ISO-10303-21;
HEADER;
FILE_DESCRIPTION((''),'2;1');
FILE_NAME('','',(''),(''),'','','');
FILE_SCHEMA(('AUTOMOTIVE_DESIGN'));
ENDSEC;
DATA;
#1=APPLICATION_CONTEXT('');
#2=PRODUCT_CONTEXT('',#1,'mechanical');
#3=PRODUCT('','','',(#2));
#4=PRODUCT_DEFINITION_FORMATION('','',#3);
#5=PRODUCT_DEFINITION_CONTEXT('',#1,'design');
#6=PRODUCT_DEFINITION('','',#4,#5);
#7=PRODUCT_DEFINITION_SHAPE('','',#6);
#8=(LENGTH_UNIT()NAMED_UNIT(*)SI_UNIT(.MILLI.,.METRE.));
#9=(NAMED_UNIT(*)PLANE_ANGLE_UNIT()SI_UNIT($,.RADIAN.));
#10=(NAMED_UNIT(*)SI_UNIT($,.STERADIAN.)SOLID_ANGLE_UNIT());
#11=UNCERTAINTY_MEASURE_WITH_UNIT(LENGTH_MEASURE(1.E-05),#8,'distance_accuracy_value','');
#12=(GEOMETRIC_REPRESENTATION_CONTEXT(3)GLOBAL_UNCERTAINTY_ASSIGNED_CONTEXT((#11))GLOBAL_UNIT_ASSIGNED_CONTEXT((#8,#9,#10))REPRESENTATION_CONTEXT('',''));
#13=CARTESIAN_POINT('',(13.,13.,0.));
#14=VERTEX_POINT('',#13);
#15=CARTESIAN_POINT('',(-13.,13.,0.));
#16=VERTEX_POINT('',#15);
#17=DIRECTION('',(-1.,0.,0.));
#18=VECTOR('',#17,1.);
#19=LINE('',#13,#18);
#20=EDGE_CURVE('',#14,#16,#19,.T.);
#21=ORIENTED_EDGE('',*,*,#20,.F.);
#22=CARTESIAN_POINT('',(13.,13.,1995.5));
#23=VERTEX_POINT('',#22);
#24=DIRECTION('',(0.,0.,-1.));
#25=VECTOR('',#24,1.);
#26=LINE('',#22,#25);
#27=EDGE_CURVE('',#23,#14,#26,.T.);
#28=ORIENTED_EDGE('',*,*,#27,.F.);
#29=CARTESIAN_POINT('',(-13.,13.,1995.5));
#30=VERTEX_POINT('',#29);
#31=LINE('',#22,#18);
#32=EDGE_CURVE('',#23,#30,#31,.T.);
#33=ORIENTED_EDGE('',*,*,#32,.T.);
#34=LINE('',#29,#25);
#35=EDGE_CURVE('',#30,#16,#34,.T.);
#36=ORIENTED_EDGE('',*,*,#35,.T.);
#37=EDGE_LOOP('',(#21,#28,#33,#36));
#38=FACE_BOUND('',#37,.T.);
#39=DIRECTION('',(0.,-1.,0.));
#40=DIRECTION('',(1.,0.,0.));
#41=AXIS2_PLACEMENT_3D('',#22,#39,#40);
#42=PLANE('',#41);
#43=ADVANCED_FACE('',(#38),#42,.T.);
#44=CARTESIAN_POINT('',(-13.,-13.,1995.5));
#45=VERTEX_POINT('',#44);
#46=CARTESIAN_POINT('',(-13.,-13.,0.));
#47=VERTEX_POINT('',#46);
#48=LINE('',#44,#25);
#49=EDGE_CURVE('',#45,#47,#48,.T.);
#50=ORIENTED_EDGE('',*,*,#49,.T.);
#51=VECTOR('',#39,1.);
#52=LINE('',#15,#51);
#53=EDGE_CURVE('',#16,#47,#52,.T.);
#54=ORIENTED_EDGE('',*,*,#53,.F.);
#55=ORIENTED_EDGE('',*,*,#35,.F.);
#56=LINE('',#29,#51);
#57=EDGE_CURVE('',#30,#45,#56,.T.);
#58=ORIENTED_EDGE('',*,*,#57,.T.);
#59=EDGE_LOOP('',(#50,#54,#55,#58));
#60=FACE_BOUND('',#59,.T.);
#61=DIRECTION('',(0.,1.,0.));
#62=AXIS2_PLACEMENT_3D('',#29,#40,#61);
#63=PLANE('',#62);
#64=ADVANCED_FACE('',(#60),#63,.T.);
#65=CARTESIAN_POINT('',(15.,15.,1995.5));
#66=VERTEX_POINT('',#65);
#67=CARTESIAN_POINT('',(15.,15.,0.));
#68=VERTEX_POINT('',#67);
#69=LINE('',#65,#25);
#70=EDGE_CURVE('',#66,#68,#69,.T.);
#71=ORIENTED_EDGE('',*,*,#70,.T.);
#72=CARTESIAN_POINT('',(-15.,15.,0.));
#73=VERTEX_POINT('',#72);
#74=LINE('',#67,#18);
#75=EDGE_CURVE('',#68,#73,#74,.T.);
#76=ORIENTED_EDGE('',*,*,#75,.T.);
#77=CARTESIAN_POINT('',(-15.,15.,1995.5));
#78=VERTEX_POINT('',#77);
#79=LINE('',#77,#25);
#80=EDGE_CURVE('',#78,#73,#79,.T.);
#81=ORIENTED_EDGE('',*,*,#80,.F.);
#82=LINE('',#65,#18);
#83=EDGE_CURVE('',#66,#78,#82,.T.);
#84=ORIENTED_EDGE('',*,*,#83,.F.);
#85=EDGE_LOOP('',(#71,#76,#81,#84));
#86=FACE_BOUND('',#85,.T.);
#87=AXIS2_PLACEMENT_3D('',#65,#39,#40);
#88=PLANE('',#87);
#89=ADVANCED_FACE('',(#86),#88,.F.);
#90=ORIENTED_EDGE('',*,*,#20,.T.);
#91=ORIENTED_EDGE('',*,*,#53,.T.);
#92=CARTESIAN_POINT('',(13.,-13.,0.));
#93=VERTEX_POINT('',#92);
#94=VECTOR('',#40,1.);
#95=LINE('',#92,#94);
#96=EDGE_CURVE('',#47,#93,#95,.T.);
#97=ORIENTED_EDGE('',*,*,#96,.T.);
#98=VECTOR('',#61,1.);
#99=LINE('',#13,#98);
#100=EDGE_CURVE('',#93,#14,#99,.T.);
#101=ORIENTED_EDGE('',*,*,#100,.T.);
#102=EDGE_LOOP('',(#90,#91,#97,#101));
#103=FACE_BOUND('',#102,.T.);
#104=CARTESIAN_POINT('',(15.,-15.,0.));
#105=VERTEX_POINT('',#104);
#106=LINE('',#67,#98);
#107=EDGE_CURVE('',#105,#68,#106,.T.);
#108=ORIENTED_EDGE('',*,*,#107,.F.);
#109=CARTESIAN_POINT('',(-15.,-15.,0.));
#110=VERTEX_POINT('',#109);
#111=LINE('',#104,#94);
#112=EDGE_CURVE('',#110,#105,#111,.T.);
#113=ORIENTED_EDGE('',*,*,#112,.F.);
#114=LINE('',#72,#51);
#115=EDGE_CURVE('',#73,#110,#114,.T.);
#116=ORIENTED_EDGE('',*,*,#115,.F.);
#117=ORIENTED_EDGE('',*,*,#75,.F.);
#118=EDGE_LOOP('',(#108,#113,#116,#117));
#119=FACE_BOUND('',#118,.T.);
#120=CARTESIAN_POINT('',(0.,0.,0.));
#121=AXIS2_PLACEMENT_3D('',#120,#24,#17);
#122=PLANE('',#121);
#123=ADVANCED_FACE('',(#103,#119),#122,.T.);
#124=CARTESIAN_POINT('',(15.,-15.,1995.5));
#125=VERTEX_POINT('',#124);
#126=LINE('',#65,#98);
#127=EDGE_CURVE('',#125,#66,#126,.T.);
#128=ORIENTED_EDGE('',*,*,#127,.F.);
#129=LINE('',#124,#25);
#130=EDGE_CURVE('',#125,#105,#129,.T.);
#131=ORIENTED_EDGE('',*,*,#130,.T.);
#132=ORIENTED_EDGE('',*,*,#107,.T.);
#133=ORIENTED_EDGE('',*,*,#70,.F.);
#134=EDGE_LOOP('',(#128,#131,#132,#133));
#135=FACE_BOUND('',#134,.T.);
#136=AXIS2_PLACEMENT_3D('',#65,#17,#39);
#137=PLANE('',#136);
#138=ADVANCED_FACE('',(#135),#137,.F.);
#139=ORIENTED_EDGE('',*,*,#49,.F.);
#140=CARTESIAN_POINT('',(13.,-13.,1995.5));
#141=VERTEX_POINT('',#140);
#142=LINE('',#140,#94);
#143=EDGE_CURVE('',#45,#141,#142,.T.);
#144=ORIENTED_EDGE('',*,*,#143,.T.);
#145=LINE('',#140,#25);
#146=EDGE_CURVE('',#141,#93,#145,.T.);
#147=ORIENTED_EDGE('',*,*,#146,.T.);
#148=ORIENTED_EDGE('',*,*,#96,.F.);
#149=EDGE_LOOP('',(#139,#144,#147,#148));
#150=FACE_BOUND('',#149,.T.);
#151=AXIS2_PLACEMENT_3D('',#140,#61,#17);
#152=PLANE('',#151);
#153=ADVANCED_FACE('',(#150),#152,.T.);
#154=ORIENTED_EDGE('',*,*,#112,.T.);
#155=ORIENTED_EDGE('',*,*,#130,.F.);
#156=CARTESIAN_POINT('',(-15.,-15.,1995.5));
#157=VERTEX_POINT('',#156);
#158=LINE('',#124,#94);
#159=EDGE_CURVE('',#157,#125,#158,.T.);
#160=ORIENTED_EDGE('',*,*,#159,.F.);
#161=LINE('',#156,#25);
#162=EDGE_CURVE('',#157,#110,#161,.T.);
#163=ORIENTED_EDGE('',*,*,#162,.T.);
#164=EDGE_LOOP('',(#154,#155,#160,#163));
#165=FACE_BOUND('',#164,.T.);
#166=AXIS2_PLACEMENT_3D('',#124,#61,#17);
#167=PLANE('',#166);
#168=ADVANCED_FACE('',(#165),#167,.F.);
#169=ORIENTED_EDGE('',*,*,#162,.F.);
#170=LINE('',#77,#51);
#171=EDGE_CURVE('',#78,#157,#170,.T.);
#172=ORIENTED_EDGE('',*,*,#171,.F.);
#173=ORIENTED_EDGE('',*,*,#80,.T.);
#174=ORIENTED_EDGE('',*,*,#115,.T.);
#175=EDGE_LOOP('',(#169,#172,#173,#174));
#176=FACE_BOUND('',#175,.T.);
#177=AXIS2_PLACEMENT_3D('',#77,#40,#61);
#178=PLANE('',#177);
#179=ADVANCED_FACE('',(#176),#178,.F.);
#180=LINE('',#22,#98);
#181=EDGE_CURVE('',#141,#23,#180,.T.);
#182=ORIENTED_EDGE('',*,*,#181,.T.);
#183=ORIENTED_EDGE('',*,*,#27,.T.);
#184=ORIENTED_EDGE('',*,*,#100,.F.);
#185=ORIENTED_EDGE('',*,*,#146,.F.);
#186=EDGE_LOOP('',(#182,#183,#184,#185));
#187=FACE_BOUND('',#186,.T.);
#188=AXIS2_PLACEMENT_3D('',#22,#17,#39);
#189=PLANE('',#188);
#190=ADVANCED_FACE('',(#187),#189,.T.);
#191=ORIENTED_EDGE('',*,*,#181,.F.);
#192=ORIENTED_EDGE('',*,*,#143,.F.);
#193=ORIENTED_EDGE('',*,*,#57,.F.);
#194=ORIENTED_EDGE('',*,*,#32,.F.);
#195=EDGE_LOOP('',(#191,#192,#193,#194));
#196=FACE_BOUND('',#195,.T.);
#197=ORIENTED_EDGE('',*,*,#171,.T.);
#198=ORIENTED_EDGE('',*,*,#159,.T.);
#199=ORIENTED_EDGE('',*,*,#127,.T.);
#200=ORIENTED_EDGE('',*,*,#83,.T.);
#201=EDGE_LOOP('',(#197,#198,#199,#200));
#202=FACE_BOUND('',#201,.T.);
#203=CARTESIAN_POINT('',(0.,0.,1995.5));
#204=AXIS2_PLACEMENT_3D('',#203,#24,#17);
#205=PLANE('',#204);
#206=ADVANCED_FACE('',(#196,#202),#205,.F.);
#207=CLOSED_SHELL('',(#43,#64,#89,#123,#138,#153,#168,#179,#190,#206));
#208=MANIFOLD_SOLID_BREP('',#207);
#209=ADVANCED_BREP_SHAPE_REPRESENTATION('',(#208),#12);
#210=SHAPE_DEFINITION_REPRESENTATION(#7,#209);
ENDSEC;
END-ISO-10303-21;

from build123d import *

# Parameters (mm, degrees)
SKETCH1_W           = 30
SKETCH1_H           = 30
SKETCH1_W_2         = 26
SKETCH1_H_2         = 26
BOSS_EXTRUDE1_DEPTH = 1995.5


with BuildPart() as part:
    # Sketch1 → Boss-Extrude1 (new body)
    with BuildSketch(Plane.XY):
        Rectangle(SKETCH1_W, SKETCH1_H)
        Rectangle(SKETCH1_W_2, SKETCH1_H_2, mode=Mode.SUBTRACT)
    extrude(amount=BOSS_EXTRUDE1_DEPTH)


solid = part.part
